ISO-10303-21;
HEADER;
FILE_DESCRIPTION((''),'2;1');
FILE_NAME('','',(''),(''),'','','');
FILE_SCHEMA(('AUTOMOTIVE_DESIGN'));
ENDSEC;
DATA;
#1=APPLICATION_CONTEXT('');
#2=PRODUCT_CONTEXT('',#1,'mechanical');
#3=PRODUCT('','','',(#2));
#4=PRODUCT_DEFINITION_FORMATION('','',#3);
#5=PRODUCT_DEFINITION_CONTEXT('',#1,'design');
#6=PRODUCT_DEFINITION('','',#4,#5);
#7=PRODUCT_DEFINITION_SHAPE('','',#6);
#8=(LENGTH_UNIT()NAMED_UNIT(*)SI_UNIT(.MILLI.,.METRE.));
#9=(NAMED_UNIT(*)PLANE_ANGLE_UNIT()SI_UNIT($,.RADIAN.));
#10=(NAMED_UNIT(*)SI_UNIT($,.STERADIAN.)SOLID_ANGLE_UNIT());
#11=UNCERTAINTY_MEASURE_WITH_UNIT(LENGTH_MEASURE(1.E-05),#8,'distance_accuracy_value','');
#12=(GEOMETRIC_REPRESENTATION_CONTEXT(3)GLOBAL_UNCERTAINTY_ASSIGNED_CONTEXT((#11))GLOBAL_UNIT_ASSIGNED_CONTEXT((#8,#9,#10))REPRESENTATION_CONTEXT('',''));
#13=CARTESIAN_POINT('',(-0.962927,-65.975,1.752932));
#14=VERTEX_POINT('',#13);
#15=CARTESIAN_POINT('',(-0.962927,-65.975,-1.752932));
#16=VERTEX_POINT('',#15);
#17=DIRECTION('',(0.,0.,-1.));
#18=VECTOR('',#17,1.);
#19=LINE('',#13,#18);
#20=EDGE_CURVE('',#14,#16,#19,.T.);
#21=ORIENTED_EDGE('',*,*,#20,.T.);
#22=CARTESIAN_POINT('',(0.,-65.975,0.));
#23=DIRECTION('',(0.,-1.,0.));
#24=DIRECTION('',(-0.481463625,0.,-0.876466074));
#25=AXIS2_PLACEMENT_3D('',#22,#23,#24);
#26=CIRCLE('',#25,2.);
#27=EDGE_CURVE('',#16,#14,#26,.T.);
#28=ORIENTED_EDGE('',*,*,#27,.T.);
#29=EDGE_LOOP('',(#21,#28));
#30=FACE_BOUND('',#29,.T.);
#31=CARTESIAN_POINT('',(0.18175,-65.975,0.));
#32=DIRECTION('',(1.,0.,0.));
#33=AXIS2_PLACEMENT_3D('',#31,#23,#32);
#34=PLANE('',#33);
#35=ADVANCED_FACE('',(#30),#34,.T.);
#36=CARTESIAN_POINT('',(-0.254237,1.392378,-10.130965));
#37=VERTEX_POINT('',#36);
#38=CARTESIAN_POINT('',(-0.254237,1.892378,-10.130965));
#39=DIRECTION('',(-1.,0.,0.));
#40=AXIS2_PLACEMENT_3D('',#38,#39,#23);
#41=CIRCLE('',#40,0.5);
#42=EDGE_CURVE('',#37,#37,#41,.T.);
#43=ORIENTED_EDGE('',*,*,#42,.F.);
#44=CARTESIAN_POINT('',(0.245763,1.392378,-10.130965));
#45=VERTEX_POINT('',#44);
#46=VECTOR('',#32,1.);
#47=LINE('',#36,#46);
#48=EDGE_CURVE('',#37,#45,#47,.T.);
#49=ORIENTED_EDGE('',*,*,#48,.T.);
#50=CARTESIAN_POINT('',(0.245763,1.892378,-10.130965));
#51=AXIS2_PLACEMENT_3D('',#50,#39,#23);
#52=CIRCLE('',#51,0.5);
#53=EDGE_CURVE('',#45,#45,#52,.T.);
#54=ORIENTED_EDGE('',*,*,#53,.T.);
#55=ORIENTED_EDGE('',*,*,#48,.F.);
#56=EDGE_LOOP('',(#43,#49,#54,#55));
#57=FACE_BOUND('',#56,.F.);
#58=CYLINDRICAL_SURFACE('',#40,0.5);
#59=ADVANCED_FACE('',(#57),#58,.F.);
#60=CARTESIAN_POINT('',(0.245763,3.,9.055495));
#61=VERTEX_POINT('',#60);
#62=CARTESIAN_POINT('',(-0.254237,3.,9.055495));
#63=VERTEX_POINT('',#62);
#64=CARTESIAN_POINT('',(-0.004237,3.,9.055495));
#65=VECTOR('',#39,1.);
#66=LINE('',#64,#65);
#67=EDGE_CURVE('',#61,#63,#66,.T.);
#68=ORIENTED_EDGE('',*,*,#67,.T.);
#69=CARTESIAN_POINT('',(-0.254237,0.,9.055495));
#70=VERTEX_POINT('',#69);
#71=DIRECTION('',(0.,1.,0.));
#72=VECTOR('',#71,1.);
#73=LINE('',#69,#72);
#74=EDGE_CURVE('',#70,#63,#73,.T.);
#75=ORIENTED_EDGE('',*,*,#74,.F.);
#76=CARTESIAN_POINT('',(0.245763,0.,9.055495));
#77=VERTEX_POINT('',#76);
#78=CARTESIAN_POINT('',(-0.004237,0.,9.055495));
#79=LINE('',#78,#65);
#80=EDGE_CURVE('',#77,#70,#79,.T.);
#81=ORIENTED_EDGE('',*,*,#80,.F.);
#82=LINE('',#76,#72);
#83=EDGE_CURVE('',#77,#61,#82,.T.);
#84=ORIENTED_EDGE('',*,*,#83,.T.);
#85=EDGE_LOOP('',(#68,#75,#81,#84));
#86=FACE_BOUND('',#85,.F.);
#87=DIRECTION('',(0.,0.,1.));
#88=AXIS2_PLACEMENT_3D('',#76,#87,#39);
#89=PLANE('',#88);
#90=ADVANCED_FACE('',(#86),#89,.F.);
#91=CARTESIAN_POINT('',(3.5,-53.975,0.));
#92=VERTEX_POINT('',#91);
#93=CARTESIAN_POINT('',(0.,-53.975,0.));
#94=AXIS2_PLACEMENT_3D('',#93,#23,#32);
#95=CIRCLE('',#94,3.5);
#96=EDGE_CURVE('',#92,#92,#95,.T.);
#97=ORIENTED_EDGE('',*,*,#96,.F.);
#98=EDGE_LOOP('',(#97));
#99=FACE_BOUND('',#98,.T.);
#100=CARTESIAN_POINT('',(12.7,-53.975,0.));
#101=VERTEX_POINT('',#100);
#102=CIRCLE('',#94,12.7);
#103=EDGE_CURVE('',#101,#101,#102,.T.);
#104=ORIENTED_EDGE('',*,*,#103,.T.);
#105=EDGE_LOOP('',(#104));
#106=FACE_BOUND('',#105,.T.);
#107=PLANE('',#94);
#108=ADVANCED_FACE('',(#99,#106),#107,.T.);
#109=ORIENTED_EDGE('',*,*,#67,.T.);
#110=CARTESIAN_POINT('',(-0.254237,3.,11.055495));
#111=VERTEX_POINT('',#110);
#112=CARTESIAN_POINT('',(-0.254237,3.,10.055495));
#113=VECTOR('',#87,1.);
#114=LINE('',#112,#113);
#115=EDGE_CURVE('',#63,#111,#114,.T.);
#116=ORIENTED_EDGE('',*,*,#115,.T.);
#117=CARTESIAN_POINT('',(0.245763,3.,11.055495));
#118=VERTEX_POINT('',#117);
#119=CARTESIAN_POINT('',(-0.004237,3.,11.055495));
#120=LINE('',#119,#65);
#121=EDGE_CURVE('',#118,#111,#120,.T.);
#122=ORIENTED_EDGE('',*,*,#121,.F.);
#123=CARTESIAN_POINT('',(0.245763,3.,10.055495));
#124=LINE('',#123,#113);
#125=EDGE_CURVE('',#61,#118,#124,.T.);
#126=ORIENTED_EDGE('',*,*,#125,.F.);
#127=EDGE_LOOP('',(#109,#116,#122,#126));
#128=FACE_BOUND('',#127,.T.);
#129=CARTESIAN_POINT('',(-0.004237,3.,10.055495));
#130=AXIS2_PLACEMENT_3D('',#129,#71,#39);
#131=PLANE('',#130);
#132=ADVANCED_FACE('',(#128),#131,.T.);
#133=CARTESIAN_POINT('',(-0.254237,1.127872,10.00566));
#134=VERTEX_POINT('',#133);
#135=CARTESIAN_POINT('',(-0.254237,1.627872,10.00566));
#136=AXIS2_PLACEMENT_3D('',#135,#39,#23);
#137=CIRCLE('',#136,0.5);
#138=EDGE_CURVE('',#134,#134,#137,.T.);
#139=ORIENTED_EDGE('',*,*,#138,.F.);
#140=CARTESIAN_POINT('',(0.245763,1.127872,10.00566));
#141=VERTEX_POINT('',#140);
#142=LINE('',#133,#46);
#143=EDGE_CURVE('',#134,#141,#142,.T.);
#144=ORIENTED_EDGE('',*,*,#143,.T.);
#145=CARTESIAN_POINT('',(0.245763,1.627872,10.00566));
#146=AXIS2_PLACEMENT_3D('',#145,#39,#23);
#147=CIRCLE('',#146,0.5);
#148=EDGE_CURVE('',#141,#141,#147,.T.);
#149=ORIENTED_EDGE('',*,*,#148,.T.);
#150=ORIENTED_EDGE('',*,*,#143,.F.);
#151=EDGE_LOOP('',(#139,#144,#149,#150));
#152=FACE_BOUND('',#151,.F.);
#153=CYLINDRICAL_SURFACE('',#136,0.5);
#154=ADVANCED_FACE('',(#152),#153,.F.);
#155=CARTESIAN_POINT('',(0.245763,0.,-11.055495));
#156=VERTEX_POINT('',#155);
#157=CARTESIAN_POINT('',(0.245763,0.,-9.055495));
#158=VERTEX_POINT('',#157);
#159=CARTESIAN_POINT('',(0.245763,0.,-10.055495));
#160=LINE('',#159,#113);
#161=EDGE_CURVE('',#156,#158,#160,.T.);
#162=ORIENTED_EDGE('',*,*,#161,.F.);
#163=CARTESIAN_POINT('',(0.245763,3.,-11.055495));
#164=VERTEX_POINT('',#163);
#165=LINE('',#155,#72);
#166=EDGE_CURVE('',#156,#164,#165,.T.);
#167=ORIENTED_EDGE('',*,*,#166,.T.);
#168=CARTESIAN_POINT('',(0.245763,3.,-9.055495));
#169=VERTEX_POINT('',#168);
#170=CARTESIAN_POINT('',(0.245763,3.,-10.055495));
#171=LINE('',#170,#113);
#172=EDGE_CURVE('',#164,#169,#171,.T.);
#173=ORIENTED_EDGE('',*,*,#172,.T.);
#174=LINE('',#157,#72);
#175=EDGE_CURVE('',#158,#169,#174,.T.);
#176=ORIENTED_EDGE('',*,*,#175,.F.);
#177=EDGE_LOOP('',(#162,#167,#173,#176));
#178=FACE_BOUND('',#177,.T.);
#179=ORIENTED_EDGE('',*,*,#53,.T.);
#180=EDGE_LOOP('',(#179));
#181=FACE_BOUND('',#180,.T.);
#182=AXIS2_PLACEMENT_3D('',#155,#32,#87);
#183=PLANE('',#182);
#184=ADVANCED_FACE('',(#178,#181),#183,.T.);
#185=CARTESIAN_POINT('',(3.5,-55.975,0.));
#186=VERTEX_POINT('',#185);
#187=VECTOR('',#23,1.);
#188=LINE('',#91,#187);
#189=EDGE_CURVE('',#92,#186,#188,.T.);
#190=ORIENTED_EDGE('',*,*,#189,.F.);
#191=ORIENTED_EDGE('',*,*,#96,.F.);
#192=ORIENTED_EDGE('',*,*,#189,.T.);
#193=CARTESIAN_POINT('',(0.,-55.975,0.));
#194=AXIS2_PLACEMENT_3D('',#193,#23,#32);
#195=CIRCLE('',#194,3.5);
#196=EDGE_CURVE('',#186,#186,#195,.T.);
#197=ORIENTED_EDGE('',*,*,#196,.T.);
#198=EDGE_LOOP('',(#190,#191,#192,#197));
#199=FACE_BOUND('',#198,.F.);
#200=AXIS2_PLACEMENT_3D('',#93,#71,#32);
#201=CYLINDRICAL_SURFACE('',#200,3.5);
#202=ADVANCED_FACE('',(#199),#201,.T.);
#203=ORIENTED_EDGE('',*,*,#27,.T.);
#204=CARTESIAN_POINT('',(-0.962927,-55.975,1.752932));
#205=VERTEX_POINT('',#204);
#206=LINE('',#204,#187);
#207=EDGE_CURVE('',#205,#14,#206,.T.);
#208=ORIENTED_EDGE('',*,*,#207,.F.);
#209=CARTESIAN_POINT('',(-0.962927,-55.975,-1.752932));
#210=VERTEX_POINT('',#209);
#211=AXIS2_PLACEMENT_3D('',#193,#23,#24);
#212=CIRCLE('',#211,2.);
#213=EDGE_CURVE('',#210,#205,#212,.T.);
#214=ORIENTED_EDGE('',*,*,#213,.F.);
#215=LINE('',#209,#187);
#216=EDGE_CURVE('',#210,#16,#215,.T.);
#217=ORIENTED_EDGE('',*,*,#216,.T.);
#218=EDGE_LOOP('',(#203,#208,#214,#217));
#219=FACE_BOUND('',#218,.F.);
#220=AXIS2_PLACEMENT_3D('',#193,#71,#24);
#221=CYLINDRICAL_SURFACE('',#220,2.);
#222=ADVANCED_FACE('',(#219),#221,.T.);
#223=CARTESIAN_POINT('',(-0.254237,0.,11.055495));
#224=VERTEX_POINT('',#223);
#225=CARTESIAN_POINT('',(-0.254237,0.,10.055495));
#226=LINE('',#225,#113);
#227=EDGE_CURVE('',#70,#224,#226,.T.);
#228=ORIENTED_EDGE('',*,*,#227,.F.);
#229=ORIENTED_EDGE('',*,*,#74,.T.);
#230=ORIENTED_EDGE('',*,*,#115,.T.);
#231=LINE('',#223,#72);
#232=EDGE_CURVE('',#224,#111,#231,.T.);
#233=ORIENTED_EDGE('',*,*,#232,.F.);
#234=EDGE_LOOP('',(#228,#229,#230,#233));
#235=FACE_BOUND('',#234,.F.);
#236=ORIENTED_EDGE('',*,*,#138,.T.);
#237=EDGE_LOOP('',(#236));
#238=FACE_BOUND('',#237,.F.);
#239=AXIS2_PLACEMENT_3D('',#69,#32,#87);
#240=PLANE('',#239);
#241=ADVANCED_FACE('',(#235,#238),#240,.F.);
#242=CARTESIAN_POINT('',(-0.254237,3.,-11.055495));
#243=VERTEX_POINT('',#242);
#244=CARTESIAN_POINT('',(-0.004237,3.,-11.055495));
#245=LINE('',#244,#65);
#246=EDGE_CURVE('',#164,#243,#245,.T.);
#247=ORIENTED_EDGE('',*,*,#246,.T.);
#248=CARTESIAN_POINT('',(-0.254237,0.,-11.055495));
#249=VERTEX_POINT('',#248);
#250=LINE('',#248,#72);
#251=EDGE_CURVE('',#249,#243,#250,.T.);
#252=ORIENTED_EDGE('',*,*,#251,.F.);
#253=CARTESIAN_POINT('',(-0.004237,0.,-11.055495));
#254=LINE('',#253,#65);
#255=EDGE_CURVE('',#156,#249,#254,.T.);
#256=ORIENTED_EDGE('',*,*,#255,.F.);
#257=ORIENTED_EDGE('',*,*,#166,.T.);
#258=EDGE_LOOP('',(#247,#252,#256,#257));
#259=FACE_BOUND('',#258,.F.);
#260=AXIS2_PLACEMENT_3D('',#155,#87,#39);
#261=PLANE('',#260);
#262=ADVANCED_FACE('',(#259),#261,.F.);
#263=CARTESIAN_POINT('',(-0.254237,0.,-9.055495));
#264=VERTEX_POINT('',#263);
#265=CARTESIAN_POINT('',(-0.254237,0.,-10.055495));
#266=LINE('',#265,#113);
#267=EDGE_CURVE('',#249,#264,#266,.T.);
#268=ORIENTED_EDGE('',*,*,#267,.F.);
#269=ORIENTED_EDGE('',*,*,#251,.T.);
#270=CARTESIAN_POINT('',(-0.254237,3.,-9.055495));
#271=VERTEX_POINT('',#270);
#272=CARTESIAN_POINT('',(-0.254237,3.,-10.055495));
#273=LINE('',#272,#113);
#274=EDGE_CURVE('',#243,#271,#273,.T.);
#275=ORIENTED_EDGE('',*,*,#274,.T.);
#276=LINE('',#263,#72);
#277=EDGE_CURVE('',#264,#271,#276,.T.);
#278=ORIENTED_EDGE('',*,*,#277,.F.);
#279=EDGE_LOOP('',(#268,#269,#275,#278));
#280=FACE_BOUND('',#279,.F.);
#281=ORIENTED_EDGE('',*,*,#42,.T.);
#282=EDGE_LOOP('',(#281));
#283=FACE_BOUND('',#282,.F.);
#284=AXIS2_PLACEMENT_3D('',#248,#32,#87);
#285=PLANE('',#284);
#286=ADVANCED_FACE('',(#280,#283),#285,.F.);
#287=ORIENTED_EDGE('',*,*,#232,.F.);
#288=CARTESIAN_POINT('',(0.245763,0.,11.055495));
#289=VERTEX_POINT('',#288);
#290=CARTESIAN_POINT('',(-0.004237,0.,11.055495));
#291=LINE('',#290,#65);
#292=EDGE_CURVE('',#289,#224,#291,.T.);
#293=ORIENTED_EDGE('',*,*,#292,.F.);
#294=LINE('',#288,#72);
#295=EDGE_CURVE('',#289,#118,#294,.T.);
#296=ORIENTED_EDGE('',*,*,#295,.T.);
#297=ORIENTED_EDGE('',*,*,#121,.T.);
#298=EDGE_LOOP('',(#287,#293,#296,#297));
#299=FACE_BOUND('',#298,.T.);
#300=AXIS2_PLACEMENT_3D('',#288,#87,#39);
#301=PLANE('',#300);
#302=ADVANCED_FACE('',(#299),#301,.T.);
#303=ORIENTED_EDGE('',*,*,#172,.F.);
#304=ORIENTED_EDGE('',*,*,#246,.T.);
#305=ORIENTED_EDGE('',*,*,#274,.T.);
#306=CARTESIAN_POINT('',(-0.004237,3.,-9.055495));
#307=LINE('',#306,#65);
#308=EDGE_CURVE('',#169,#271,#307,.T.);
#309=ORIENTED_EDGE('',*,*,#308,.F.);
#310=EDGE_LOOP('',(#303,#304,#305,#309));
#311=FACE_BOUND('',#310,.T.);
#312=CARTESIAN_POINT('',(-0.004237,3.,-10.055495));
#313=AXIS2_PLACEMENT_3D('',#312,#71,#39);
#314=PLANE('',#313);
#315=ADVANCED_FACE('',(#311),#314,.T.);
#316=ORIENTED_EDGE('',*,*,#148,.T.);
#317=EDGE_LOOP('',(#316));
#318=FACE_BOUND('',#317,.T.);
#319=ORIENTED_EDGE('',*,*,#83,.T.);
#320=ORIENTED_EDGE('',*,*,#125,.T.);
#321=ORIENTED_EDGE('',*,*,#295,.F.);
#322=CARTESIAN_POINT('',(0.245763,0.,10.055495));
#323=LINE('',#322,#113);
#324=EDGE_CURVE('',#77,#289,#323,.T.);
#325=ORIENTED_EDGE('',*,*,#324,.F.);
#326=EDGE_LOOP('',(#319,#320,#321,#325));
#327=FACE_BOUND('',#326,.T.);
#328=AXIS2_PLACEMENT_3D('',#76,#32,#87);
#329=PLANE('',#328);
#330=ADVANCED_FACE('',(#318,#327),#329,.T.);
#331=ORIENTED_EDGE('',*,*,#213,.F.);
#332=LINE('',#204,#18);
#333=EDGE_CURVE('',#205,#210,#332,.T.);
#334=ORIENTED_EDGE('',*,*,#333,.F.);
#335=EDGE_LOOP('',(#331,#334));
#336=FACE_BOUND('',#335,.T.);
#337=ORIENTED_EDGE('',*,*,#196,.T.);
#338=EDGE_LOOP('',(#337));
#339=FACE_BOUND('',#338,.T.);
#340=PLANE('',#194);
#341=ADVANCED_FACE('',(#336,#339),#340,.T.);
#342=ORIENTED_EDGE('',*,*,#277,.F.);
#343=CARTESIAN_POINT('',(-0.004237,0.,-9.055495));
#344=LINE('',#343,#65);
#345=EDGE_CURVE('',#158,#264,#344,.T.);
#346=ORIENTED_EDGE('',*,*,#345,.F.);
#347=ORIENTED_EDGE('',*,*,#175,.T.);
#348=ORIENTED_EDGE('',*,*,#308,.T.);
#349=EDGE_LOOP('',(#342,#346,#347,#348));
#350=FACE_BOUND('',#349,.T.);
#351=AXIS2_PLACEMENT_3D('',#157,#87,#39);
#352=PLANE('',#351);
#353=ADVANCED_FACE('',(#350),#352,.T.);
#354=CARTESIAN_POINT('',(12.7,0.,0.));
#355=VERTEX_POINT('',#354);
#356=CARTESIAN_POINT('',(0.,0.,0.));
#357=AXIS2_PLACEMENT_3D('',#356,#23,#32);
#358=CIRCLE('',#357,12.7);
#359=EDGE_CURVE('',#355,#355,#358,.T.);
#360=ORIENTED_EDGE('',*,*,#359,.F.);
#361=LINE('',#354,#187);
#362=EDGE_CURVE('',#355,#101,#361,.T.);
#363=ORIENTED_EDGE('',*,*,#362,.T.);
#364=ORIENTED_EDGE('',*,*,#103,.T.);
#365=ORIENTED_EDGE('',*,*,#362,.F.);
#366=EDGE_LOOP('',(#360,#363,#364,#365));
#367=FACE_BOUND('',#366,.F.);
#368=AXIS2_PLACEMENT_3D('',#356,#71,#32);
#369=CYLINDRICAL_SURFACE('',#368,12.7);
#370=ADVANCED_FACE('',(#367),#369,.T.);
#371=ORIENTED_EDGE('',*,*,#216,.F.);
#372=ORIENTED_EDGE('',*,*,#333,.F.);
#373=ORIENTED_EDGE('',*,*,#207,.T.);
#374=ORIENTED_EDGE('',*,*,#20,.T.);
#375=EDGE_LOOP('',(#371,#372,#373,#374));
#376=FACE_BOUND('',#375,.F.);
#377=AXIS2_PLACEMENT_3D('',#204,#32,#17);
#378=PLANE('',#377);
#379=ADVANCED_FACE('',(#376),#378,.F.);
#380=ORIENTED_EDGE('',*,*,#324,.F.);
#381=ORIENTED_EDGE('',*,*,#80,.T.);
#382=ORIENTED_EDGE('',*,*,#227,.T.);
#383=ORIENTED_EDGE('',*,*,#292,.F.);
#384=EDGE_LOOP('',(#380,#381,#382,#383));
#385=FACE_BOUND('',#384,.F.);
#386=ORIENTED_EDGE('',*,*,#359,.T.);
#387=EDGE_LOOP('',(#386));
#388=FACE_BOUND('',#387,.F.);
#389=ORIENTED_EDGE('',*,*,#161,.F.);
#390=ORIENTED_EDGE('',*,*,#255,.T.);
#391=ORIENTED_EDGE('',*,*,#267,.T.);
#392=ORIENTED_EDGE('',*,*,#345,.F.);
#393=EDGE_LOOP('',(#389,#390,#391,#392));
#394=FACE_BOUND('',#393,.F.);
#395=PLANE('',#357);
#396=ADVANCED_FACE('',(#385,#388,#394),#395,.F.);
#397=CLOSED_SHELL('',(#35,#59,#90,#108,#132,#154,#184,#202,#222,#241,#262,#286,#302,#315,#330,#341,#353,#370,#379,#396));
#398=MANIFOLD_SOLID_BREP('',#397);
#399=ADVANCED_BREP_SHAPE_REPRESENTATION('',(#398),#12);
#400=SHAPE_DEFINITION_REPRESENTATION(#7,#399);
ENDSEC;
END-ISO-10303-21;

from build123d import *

# Parameters (mm, degrees)
F0_R     = 12.7
F1_DEPTH = 53.975
F2_R     = 3.5
F3_DEPTH = 2
F5_DEPTH = 10
F6_W     = 0.5
F6_H     = 2
F7_DEPTH = 3
F8_R     = 0.5
F9_DEPTH = 25.4


with BuildPart() as f1:
    # F0 (on Front) → F1 (new body)
    with BuildSketch(Plane.XZ):
        Circle(F0_R)
    extrude(amount=F1_DEPTH)

    # F2 (on face) → F3 (join)
    with BuildSketch(Plane.XZ.offset(53.975)):
        Circle(F2_R)
    extrude(amount=F3_DEPTH)

    # F4 (on face) → F5 (join)
    with BuildSketch(Plane.XZ.offset(55.975)):
        with BuildLine():
            Line((-0.962927, 1.752932), (-0.962927, -1.752932))
            ThreePointArc((-0.962927, -1.752932), (2, 0), (-0.962927, 1.752932))
        make_face()
    extrude(amount=F5_DEPTH)

    # F6 (on face) → F7 (join)
    with BuildSketch(Plane(origin=(0, 0, 0), x_dir=(-1, 0, 0), z_dir=(0, 1, 0))):
        with Locations((0.004237, 10.055495)):
            Rectangle(F6_W, F6_H)
        with Locations((0.004237, -10.055495)):
            Rectangle(F6_W, F6_H)
    extrude(amount=F7_DEPTH)

    # F8 (on face) → F9 (cut)
    with BuildSketch(Plane(origin=(-0.254237, 0, 0), x_dir=(0, -1, 0), z_dir=(-1, 0, 0))):
        with Locations((-1.627872, 10.00566)):
            Circle(F8_R)
        with Locations((-1.892378, -10.130965)):
            Circle(F8_R)
    extrude(amount=-F9_DEPTH, mode=Mode.SUBTRACT)


solid = f1.part
